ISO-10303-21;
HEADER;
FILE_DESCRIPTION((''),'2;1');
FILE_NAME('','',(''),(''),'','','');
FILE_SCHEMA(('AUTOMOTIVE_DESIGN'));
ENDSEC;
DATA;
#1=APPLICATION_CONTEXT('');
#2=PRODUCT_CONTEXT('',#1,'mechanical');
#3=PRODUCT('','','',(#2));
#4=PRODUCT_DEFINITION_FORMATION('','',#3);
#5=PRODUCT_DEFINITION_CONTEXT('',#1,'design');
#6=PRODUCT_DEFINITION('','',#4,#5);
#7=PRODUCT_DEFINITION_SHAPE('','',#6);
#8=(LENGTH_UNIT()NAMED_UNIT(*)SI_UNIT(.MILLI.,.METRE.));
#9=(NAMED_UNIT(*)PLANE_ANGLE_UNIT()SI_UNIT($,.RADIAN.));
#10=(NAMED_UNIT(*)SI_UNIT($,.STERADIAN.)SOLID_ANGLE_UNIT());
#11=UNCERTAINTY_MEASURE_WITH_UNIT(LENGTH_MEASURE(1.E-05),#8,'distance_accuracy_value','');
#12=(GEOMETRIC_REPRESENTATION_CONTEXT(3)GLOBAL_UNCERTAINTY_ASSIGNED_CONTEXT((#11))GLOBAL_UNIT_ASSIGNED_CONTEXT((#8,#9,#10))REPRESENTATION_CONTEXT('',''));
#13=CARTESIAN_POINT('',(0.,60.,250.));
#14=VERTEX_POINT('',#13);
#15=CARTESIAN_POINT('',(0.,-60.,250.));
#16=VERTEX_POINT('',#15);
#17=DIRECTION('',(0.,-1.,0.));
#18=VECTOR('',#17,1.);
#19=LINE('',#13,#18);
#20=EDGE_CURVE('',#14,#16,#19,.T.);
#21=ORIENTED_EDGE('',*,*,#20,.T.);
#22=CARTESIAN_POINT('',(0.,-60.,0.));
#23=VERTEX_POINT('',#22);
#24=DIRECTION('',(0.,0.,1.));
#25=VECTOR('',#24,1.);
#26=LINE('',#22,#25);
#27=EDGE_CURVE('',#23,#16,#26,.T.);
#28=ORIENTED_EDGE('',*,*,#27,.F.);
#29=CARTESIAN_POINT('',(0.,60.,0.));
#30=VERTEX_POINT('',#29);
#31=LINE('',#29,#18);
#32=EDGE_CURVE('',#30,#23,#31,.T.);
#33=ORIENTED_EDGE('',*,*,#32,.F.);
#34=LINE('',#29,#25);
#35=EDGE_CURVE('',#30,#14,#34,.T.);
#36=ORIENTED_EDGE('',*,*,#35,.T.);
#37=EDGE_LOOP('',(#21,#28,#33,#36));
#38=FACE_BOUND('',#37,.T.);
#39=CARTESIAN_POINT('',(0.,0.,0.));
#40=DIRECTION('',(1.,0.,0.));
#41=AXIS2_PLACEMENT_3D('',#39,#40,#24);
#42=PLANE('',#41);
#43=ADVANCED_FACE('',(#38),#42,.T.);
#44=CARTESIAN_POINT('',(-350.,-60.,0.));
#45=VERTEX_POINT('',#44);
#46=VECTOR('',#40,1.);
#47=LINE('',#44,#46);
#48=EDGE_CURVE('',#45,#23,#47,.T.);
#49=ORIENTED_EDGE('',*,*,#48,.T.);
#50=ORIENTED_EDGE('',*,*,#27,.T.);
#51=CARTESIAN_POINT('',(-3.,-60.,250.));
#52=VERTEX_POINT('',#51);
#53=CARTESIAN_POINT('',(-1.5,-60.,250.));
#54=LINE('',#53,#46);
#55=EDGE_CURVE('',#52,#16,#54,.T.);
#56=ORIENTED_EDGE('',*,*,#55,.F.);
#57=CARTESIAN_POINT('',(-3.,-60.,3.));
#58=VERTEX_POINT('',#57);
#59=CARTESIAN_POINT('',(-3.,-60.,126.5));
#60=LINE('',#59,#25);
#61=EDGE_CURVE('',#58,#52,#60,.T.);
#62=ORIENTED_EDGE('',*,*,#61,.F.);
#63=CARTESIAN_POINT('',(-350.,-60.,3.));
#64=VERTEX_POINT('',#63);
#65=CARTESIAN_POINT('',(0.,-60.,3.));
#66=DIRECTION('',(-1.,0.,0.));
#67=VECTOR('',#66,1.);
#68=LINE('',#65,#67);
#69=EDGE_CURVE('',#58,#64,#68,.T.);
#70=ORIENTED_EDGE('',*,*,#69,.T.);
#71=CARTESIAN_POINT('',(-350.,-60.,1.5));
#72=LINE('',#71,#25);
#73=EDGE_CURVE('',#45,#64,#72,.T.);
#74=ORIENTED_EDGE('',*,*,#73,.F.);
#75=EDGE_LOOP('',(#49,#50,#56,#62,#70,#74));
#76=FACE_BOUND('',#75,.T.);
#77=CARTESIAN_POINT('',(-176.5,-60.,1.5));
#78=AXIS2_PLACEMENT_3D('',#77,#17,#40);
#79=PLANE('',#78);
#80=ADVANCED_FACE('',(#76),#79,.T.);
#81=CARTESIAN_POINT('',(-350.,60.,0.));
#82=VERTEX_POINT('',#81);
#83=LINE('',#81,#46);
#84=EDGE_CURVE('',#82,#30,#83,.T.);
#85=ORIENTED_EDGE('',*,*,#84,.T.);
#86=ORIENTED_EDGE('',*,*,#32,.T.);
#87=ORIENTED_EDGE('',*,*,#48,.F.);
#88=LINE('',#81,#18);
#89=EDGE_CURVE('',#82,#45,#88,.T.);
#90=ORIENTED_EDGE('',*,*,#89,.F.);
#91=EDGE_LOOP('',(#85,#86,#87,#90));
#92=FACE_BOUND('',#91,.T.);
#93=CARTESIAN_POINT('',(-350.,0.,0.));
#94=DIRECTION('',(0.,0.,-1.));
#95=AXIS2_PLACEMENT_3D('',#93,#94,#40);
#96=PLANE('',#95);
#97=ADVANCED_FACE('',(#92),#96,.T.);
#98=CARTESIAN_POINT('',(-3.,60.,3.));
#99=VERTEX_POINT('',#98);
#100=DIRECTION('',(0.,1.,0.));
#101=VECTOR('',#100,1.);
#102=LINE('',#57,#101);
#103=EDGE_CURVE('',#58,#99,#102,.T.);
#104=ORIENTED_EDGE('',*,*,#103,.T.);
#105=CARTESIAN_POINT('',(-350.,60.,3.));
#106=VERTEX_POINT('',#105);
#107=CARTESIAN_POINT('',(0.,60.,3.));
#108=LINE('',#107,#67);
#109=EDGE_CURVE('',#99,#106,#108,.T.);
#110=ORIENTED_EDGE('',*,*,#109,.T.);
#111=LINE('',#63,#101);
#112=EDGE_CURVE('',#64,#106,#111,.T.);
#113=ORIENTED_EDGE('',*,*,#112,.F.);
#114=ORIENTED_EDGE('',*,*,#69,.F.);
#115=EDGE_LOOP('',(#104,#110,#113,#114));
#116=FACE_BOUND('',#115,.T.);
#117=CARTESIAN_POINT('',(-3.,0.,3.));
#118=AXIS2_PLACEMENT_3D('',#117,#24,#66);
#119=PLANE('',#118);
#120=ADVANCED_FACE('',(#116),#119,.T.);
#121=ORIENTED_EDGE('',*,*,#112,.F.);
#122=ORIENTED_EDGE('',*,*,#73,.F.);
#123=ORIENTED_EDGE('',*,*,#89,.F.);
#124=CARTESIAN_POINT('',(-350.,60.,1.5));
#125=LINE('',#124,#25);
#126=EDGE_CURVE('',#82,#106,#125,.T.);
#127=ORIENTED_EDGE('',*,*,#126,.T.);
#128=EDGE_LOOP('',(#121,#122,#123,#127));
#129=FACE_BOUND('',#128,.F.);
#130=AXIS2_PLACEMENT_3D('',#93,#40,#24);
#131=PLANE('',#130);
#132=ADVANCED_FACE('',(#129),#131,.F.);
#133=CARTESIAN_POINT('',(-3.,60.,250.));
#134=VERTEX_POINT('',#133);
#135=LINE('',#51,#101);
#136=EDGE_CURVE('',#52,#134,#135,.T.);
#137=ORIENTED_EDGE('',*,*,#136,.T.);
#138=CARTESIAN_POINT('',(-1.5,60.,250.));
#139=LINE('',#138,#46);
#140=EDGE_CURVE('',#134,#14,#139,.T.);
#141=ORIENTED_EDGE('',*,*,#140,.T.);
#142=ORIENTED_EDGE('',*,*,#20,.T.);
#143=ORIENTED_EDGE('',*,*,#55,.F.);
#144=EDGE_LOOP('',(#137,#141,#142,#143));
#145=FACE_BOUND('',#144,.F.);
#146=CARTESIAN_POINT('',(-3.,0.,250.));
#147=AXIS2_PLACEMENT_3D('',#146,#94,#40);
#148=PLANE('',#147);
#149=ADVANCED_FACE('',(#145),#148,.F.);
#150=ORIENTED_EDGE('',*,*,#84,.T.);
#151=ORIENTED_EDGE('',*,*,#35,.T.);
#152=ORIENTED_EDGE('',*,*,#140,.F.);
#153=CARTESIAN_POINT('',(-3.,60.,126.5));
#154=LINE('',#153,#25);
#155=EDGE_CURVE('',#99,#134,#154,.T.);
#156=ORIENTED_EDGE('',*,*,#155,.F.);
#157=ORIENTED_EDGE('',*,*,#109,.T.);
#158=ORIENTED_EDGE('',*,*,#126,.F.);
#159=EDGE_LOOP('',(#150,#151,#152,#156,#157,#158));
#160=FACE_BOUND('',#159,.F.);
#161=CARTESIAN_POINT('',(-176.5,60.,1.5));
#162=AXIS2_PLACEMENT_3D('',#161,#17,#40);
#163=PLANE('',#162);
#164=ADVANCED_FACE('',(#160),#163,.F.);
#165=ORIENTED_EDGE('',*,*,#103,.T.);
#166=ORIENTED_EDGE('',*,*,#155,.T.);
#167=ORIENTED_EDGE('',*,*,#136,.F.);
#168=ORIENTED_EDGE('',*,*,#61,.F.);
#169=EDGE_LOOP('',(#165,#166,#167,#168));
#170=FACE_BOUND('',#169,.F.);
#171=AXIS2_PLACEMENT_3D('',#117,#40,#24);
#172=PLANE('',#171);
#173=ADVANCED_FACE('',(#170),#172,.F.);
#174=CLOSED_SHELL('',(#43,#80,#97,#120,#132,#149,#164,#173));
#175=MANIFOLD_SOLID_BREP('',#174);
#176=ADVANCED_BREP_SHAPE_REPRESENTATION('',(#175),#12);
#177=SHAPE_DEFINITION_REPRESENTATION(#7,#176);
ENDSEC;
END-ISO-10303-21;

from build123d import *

# Parameters (mm, degrees)
F0_W     = 347
F0_H     = 3
F0_W_2   = 3
F0_H_2   = 247
F1_DEPTH = 60


with BuildPart() as f1:
    # F0 (on Front) → F1 (new body, symmetric)
    with BuildSketch(Plane.XZ):
        with Locations((-176.5, 1.5)):
            Rectangle(F0_W, F0_H)
        with Locations((-1.5, 1.5)):
            Rectangle(F0_W_2, F0_H)
        with Locations((-1.5, 126.5)):
            Rectangle(F0_W_2, F0_H_2)
    extrude(amount=F1_DEPTH, both=True)


solid = f1.part
